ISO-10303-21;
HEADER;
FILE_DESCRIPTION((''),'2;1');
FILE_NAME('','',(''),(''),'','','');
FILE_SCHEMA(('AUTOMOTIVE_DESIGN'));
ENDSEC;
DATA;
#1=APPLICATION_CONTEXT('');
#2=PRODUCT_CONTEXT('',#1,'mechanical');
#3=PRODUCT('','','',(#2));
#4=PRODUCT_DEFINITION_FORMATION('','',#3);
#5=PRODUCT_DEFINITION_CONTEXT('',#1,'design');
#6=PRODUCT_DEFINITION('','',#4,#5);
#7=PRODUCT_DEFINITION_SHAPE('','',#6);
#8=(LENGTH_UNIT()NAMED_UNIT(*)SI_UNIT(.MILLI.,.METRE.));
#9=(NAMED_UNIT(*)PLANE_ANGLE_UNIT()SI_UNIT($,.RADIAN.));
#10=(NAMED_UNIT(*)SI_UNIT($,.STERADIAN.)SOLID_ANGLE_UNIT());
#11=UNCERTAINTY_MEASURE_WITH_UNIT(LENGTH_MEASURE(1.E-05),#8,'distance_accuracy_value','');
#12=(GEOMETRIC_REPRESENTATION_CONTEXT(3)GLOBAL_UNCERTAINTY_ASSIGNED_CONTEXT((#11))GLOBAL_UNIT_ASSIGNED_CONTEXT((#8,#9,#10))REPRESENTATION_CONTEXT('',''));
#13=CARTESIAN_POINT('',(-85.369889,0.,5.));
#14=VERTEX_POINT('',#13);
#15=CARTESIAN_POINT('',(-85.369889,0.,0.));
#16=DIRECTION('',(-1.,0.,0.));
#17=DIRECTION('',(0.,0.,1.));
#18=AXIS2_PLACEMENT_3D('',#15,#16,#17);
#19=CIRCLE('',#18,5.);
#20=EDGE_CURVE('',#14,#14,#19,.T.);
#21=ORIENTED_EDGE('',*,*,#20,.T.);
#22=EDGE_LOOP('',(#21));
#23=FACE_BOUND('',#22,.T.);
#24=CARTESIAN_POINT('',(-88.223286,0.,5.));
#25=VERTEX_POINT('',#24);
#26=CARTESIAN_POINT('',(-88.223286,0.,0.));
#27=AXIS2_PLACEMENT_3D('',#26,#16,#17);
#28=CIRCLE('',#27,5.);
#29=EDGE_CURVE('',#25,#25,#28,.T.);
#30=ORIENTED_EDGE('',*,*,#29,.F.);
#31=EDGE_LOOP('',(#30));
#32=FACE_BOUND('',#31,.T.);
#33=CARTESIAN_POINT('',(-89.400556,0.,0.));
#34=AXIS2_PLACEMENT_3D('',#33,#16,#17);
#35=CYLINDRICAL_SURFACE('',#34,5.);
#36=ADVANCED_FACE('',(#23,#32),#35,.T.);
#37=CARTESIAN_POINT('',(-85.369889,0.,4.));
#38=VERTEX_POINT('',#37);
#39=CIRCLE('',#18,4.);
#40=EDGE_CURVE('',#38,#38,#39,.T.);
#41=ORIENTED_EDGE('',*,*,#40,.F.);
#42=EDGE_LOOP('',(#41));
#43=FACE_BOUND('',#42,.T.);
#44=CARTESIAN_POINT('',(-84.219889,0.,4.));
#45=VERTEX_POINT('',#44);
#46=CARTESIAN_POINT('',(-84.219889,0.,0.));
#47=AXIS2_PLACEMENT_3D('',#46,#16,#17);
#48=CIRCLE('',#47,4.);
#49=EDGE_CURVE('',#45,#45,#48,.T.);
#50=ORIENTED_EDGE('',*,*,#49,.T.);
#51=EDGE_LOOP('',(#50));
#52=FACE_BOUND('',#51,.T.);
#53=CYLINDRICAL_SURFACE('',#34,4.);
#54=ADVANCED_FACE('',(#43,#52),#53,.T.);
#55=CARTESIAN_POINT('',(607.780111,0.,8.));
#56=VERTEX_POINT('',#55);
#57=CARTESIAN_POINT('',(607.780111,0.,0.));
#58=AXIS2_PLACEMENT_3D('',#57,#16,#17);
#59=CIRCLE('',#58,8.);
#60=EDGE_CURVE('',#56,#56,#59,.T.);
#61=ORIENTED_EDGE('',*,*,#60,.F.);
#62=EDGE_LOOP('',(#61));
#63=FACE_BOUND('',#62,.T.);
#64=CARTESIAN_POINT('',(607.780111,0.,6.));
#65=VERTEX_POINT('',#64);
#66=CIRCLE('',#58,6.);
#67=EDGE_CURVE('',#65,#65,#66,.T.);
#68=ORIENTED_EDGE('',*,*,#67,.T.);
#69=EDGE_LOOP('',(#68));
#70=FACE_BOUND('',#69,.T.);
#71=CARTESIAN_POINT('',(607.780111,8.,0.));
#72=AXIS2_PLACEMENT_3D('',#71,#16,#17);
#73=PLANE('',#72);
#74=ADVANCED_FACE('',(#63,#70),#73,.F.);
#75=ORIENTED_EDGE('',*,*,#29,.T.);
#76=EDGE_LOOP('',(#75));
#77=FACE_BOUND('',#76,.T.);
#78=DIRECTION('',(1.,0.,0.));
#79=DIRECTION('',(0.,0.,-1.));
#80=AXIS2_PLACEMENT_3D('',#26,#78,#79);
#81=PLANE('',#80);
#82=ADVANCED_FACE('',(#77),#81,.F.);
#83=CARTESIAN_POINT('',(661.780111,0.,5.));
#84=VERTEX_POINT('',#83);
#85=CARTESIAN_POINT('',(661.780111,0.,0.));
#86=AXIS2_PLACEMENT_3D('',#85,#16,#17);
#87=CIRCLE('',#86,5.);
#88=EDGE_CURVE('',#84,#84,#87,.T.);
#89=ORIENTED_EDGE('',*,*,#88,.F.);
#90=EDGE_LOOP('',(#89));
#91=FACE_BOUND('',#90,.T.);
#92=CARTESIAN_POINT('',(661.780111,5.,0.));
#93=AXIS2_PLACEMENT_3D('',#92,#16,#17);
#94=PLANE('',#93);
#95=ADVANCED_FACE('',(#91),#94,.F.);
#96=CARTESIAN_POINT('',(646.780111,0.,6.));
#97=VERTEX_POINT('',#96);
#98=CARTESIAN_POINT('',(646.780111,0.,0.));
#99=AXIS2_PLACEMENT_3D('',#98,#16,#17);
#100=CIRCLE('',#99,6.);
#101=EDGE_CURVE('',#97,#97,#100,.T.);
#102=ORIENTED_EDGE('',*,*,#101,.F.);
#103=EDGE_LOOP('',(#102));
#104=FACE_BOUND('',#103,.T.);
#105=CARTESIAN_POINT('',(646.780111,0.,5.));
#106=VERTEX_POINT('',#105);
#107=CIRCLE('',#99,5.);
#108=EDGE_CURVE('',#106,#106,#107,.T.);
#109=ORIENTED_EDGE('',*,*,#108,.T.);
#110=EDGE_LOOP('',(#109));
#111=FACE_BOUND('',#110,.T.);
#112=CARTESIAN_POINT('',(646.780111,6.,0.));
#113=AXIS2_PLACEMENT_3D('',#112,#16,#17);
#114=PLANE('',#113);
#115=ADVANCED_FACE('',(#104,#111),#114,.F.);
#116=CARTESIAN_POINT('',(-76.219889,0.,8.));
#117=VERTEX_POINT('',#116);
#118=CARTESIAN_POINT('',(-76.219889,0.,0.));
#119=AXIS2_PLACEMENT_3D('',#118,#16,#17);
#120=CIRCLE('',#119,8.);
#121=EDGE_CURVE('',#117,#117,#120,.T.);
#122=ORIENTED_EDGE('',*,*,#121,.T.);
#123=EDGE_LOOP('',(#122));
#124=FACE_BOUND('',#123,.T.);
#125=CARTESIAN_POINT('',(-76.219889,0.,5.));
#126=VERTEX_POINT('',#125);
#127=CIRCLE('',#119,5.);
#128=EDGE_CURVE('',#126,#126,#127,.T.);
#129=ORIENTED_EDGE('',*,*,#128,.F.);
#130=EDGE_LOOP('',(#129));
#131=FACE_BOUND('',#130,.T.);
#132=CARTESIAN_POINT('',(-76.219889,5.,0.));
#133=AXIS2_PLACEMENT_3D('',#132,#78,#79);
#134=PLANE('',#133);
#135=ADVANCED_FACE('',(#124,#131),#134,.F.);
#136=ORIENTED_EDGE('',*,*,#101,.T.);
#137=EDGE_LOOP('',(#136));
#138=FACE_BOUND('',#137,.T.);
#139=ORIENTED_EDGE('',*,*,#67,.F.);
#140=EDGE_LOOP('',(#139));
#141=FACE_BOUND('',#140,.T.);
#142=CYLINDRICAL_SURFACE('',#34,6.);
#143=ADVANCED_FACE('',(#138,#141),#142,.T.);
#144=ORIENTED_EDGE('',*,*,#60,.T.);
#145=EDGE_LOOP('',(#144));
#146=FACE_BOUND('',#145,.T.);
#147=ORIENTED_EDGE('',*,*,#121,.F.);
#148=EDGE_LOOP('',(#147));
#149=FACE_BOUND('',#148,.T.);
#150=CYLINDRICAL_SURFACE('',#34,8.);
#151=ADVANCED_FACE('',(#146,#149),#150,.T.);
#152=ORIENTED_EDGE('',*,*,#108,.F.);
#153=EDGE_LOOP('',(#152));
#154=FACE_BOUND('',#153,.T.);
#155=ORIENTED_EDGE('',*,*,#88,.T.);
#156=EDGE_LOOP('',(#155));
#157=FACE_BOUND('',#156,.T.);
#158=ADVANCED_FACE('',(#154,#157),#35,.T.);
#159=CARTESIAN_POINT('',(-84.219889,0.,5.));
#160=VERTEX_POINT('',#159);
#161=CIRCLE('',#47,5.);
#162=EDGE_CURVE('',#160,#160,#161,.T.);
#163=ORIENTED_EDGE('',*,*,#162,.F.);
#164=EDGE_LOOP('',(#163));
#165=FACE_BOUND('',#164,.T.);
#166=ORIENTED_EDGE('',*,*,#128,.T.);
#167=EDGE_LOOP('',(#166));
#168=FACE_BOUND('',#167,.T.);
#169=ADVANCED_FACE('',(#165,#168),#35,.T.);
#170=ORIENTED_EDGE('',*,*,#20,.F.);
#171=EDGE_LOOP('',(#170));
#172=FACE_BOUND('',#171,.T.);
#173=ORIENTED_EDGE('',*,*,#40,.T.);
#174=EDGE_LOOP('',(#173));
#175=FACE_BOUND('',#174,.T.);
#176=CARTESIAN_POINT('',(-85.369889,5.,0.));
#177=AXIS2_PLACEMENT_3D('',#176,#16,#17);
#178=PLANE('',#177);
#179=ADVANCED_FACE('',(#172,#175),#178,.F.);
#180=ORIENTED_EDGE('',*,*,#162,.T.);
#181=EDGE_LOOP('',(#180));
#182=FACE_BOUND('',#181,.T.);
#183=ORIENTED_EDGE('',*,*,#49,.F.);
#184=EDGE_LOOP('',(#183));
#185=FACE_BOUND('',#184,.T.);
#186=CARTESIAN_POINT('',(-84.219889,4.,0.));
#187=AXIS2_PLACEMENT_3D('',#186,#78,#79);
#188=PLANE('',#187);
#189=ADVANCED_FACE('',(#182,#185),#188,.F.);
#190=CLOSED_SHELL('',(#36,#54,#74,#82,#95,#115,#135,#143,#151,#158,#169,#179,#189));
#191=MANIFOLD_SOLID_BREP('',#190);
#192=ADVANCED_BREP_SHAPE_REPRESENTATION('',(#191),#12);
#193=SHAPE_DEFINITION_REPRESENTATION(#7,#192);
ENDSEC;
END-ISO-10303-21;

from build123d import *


with BuildPart() as part:
    # Esquisse1 → Révolution1 (revolve)
    with BuildSketch(Plane.XY, mode=Mode.PRIVATE) as r_volution1_sk:
        Polygon((-88.223286033, 0), (-88.223286033, 5), (-85.369889122, 5), (-85.369889122, 4), (-84.219889122, 4), (-84.219889122, 5), (-76.219889122, 5), (-76.219889122, 8), (607.780110878, 8), (607.780110878, 6), (634.780110878, 6), (646.780110878, 6), (646.780110878, 5), (661.780110878, 5), (661.780110878, 0), align=None)
    revolve(r_volution1_sk.sketch.rotate(Axis((-89.400555638, 0, 0), (1, 0, 0)), 90), axis=Axis((-89.400555638, 0, 0), (1, 0, 0)))


solid = part.part
